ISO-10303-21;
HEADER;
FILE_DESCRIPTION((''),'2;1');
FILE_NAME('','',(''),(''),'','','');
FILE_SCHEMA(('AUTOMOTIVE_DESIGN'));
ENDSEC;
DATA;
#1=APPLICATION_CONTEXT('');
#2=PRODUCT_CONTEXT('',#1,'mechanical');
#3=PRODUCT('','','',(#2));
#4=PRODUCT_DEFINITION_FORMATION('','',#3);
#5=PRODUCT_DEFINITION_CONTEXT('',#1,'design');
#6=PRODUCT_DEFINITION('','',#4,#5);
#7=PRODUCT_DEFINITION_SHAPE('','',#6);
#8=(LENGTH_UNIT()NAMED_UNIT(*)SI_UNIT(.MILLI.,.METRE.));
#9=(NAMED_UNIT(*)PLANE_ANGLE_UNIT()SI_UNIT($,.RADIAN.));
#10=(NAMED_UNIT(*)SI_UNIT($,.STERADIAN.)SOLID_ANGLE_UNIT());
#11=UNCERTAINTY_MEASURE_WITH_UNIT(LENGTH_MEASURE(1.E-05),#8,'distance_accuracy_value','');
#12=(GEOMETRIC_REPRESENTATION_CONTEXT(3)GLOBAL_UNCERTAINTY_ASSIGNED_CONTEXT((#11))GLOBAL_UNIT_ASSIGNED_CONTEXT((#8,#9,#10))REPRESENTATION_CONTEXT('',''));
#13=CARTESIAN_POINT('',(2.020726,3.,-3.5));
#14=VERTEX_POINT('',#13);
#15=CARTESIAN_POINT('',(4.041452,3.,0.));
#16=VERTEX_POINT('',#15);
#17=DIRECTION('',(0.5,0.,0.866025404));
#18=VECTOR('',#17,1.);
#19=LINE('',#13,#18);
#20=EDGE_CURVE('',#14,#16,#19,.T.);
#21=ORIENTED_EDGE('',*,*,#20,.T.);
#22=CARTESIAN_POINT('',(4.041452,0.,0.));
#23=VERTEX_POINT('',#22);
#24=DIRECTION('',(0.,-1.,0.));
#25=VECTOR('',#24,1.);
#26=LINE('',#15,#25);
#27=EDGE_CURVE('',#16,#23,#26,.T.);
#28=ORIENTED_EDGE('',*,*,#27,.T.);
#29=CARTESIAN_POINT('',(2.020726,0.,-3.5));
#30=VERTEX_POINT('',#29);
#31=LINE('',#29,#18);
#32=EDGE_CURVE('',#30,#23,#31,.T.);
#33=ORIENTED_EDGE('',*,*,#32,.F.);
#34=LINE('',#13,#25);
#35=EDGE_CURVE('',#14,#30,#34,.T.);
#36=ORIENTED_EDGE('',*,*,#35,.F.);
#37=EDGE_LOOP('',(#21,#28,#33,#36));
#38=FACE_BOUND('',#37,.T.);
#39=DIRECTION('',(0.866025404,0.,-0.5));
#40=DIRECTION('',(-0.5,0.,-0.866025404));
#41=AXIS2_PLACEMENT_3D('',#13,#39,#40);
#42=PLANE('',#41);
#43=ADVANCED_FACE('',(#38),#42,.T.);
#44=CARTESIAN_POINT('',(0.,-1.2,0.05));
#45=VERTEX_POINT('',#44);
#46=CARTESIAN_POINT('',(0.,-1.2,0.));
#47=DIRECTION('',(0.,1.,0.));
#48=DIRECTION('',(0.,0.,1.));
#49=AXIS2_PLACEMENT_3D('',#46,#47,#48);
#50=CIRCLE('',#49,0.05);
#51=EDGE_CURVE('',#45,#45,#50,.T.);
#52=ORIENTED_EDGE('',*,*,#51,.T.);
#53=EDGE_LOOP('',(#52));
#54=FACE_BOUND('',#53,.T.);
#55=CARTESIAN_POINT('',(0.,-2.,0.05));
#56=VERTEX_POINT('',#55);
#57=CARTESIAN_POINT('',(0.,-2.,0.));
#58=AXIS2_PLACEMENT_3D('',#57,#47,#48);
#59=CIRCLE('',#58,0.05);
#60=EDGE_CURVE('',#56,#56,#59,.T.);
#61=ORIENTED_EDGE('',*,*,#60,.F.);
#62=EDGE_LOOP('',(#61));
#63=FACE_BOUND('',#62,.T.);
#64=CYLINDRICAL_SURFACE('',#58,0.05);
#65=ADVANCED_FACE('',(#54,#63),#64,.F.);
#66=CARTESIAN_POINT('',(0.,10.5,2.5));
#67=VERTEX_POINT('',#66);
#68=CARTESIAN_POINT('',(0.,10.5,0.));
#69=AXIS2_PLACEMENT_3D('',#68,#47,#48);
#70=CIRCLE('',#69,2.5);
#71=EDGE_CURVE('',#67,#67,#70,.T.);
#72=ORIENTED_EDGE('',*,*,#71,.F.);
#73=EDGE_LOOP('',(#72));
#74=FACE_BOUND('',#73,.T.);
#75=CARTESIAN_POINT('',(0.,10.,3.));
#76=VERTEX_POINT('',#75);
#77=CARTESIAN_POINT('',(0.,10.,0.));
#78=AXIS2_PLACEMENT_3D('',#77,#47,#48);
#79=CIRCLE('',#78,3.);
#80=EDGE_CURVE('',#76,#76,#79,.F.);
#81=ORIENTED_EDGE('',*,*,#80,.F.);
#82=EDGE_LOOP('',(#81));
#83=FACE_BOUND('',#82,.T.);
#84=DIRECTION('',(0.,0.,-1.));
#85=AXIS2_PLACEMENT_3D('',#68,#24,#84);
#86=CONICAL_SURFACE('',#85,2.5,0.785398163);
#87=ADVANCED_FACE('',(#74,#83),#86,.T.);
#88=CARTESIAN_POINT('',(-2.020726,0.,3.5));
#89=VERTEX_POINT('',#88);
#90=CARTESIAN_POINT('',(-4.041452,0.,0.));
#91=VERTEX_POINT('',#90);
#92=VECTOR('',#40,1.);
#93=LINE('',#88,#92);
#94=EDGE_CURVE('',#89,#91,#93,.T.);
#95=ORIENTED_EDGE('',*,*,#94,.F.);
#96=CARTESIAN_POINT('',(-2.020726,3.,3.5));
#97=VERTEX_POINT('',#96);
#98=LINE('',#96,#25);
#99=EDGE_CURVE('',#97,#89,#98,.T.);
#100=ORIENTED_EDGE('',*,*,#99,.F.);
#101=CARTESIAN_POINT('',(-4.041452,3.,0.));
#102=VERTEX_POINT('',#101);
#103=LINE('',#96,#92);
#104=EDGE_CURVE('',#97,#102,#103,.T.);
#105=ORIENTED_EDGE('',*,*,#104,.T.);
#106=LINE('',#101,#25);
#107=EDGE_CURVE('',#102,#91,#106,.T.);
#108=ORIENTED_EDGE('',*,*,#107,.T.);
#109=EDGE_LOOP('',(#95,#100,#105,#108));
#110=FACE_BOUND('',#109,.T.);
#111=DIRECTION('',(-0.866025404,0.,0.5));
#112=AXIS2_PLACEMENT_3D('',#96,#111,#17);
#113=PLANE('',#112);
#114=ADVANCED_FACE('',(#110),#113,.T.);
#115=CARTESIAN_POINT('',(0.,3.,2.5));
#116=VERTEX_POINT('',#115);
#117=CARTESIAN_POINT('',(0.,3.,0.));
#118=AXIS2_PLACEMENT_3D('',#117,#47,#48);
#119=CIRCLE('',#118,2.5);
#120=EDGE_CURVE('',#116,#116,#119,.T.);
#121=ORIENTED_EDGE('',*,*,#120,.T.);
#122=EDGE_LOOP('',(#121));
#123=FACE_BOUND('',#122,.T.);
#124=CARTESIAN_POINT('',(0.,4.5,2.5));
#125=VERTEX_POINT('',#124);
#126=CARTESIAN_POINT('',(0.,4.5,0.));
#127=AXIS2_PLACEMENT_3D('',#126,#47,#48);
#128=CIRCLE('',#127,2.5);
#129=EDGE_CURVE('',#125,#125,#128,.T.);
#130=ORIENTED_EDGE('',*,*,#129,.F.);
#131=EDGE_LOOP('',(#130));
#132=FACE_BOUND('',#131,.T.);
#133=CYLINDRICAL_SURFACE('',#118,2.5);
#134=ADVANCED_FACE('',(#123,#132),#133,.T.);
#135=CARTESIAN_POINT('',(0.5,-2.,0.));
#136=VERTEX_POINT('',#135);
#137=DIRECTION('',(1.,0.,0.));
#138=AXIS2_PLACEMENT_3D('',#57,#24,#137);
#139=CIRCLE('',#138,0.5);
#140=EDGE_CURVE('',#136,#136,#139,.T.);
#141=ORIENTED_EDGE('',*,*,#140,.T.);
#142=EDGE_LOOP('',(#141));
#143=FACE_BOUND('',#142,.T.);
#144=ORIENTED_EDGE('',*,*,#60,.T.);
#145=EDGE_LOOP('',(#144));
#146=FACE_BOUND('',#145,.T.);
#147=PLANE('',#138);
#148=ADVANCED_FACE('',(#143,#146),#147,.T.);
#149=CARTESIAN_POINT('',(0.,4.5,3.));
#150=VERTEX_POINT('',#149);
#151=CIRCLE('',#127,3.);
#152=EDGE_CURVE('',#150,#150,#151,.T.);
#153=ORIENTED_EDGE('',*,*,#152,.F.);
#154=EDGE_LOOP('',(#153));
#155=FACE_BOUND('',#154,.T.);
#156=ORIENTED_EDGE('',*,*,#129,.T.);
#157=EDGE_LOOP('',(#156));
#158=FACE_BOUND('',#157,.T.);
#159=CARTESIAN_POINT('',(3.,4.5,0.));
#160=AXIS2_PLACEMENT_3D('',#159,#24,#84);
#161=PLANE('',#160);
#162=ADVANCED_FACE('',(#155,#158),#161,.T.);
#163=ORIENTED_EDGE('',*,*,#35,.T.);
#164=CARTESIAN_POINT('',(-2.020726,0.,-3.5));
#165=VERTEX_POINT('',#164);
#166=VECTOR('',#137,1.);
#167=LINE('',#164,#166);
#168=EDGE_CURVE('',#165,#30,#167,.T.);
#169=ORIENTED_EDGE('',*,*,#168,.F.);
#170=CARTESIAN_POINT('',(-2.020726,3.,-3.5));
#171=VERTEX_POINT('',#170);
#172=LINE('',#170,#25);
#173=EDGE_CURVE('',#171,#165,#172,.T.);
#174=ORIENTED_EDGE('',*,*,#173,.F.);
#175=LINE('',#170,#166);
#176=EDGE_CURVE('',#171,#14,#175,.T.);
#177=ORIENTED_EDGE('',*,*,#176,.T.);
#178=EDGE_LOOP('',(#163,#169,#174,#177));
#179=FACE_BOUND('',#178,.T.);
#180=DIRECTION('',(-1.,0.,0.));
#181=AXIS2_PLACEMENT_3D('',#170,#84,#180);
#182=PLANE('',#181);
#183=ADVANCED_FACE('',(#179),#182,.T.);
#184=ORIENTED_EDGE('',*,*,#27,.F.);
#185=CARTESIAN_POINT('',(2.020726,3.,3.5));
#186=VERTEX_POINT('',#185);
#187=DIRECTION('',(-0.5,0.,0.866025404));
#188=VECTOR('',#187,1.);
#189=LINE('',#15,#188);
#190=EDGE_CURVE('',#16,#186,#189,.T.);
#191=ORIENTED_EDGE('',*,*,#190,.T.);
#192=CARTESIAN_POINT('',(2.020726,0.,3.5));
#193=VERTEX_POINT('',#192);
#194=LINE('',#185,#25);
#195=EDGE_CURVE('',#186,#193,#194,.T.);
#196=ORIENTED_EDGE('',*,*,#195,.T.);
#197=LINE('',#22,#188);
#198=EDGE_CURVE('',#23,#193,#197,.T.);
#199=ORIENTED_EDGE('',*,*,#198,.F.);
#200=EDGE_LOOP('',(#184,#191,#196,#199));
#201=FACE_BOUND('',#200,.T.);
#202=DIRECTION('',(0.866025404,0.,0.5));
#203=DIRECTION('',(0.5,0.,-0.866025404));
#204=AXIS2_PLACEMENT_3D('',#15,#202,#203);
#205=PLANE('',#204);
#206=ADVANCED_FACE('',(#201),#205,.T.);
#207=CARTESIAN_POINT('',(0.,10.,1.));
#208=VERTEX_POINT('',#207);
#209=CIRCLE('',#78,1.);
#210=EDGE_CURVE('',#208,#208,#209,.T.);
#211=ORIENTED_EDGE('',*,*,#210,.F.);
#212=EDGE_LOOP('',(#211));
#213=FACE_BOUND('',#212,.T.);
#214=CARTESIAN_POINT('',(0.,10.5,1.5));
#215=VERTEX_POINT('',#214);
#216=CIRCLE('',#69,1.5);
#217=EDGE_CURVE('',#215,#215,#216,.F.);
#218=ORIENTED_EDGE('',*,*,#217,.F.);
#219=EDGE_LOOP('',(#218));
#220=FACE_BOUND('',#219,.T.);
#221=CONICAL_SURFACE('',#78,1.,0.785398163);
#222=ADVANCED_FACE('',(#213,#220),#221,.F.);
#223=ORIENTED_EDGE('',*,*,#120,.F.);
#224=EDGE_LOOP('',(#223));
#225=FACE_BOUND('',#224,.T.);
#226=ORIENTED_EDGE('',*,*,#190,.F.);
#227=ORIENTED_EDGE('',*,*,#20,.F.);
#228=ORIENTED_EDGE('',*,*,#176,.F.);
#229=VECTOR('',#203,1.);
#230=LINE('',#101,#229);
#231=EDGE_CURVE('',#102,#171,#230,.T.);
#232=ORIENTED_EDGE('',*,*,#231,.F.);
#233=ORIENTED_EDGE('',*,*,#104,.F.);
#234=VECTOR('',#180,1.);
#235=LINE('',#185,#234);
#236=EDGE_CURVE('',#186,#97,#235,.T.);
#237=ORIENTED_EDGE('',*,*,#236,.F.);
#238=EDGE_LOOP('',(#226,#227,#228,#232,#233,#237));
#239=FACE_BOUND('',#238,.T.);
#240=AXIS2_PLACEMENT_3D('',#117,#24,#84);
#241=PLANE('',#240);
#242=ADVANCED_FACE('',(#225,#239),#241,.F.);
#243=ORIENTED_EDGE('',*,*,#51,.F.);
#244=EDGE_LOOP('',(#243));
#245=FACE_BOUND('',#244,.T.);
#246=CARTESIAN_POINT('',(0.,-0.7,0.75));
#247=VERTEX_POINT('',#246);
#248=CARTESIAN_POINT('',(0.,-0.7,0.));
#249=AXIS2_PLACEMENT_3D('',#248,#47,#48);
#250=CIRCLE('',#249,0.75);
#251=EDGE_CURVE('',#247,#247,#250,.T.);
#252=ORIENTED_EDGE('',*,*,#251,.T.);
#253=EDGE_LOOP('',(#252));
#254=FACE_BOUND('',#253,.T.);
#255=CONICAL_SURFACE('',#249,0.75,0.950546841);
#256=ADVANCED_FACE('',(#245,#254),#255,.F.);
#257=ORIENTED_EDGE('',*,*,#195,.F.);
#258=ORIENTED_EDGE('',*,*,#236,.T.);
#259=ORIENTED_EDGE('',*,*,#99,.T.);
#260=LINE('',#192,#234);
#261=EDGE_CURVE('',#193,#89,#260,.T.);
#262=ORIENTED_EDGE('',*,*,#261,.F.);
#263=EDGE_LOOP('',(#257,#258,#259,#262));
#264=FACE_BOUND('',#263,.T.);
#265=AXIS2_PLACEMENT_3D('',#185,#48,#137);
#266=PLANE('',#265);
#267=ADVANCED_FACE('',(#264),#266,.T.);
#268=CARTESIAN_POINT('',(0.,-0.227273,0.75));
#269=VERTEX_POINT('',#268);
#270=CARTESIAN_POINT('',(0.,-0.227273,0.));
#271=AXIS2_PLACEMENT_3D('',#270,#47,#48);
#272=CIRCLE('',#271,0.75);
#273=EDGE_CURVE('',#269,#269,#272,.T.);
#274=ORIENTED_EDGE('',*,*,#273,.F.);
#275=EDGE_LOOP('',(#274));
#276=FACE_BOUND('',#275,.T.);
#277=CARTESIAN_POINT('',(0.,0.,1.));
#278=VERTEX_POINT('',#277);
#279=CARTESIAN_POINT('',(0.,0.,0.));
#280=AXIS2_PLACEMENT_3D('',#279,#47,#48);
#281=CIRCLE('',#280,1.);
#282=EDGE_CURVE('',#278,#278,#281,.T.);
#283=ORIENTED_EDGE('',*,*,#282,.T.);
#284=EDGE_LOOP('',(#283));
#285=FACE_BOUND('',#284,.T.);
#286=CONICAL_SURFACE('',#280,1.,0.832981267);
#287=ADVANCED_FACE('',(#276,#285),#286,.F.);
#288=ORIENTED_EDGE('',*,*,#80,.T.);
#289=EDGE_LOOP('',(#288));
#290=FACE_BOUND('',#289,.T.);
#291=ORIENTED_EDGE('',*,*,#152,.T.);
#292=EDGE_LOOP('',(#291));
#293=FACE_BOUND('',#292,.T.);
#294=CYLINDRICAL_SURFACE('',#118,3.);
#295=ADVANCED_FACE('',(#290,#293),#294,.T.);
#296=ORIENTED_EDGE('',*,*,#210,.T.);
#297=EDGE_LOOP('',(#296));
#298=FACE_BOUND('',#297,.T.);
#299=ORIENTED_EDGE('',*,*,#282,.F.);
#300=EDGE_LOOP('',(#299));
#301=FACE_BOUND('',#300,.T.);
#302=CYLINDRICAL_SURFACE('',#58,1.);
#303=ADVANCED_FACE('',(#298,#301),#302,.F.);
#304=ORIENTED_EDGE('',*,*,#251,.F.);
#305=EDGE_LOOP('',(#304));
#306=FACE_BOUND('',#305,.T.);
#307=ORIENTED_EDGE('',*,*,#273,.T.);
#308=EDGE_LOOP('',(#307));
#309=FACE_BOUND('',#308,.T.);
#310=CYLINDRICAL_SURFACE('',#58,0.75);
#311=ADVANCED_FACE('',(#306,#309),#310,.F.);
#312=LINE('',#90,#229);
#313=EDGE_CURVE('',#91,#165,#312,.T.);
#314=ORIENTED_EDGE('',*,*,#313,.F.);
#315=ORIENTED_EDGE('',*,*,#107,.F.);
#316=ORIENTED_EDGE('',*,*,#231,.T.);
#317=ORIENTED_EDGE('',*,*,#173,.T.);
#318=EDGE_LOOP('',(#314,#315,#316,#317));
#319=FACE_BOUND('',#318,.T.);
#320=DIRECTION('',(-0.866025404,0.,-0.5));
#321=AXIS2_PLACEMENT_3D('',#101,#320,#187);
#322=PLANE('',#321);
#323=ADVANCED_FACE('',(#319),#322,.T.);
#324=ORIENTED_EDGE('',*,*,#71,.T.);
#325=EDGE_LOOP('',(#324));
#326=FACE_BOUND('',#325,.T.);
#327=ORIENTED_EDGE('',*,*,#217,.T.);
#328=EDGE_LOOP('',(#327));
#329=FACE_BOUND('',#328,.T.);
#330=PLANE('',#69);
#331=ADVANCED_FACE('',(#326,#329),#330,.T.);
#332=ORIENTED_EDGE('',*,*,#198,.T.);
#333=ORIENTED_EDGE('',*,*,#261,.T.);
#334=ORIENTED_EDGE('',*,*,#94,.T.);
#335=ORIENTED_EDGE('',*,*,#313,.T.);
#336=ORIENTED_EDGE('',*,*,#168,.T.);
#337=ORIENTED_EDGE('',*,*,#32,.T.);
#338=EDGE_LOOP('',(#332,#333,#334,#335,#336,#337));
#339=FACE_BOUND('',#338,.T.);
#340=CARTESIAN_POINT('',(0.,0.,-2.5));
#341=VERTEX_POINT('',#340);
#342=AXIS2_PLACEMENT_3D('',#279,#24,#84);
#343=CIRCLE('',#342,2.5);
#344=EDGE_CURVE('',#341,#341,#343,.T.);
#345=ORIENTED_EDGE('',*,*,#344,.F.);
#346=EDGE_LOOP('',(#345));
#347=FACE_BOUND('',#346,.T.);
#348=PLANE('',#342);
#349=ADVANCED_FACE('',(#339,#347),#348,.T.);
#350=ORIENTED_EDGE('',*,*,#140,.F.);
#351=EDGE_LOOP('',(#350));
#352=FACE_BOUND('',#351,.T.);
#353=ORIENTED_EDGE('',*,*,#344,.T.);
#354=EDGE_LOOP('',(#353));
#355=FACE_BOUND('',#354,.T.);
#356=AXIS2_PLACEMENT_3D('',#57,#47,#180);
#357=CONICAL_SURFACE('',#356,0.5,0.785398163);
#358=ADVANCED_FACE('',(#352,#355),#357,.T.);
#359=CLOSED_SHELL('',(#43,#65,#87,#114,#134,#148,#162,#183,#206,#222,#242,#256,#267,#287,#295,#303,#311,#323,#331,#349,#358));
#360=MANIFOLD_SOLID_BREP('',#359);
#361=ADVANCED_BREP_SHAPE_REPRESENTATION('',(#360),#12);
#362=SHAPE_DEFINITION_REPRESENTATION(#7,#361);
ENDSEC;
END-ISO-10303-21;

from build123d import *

# Parameters (mm, degrees)
BOSS_EXTRUDE1_DEPTH = 3
CHAMFER1_SIZE       = 0.5


with BuildPart() as part:
    # Sketch1 → Boss-Extrude1 (new body)
    with BuildSketch(Plane.XZ):
        Polygon((-2.020725942, 3.5), (-4.041451884, 0), (-2.020725942, -3.5), (2.020725942, -3.5), (4.041451884, 0), (2.020725942, 3.5), align=None)
    extrude(amount=-BOSS_EXTRUDE1_DEPTH)

    # Sketch2 → Revolve1 (revolve)
    with BuildSketch(Plane(origin=(0, 0, 0), x_dir=(-1, 0, 0), z_dir=(0, 0, -1))):
        Polygon((-2.5, 3), (0, 3), (0, 10.5), (-3, 10.5), (-3, 4.5), (-2.5, 4.5), align=None)
    revolve(axis=Axis((0, 3, 0), (0, 1, 0)))

    # Sketch3 → Revolve2 (revolve)
    with BuildSketch(Plane.XY):
        Polygon((2.5, 0), (0, 0), (0, -2), (0.5, -2), align=None)
    revolve(axis=Axis((0, 0, 0), (0, -1, 0)))

    # Sketch4 → Cut-Revolve1 (revolve, cut)
    with BuildSketch(Plane(origin=(0, 0, 0), x_dir=(-1, 0, 0), z_dir=(0, 0, -1))):
        Polygon((-0.05, -2), (0, -2), (0, 10.5), (-1, 10.5), (-1, 0), (-0.75, -0.227272727), (-0.75, -0.7), (-0.05, -1.2), align=None)
    revolve(axis=Axis((0, -2, 0), (0, 1, 0)), mode=Mode.SUBTRACT)

    # Chamfer1
    chamfer1_edges = [part.edges().sort_by_distance(p)[0] for p in [
        (-3, 10.5, 0),
        (-1, 10.5, 0),
    ]]
    chamfer(chamfer1_edges, length=CHAMFER1_SIZE)


solid = part.part
